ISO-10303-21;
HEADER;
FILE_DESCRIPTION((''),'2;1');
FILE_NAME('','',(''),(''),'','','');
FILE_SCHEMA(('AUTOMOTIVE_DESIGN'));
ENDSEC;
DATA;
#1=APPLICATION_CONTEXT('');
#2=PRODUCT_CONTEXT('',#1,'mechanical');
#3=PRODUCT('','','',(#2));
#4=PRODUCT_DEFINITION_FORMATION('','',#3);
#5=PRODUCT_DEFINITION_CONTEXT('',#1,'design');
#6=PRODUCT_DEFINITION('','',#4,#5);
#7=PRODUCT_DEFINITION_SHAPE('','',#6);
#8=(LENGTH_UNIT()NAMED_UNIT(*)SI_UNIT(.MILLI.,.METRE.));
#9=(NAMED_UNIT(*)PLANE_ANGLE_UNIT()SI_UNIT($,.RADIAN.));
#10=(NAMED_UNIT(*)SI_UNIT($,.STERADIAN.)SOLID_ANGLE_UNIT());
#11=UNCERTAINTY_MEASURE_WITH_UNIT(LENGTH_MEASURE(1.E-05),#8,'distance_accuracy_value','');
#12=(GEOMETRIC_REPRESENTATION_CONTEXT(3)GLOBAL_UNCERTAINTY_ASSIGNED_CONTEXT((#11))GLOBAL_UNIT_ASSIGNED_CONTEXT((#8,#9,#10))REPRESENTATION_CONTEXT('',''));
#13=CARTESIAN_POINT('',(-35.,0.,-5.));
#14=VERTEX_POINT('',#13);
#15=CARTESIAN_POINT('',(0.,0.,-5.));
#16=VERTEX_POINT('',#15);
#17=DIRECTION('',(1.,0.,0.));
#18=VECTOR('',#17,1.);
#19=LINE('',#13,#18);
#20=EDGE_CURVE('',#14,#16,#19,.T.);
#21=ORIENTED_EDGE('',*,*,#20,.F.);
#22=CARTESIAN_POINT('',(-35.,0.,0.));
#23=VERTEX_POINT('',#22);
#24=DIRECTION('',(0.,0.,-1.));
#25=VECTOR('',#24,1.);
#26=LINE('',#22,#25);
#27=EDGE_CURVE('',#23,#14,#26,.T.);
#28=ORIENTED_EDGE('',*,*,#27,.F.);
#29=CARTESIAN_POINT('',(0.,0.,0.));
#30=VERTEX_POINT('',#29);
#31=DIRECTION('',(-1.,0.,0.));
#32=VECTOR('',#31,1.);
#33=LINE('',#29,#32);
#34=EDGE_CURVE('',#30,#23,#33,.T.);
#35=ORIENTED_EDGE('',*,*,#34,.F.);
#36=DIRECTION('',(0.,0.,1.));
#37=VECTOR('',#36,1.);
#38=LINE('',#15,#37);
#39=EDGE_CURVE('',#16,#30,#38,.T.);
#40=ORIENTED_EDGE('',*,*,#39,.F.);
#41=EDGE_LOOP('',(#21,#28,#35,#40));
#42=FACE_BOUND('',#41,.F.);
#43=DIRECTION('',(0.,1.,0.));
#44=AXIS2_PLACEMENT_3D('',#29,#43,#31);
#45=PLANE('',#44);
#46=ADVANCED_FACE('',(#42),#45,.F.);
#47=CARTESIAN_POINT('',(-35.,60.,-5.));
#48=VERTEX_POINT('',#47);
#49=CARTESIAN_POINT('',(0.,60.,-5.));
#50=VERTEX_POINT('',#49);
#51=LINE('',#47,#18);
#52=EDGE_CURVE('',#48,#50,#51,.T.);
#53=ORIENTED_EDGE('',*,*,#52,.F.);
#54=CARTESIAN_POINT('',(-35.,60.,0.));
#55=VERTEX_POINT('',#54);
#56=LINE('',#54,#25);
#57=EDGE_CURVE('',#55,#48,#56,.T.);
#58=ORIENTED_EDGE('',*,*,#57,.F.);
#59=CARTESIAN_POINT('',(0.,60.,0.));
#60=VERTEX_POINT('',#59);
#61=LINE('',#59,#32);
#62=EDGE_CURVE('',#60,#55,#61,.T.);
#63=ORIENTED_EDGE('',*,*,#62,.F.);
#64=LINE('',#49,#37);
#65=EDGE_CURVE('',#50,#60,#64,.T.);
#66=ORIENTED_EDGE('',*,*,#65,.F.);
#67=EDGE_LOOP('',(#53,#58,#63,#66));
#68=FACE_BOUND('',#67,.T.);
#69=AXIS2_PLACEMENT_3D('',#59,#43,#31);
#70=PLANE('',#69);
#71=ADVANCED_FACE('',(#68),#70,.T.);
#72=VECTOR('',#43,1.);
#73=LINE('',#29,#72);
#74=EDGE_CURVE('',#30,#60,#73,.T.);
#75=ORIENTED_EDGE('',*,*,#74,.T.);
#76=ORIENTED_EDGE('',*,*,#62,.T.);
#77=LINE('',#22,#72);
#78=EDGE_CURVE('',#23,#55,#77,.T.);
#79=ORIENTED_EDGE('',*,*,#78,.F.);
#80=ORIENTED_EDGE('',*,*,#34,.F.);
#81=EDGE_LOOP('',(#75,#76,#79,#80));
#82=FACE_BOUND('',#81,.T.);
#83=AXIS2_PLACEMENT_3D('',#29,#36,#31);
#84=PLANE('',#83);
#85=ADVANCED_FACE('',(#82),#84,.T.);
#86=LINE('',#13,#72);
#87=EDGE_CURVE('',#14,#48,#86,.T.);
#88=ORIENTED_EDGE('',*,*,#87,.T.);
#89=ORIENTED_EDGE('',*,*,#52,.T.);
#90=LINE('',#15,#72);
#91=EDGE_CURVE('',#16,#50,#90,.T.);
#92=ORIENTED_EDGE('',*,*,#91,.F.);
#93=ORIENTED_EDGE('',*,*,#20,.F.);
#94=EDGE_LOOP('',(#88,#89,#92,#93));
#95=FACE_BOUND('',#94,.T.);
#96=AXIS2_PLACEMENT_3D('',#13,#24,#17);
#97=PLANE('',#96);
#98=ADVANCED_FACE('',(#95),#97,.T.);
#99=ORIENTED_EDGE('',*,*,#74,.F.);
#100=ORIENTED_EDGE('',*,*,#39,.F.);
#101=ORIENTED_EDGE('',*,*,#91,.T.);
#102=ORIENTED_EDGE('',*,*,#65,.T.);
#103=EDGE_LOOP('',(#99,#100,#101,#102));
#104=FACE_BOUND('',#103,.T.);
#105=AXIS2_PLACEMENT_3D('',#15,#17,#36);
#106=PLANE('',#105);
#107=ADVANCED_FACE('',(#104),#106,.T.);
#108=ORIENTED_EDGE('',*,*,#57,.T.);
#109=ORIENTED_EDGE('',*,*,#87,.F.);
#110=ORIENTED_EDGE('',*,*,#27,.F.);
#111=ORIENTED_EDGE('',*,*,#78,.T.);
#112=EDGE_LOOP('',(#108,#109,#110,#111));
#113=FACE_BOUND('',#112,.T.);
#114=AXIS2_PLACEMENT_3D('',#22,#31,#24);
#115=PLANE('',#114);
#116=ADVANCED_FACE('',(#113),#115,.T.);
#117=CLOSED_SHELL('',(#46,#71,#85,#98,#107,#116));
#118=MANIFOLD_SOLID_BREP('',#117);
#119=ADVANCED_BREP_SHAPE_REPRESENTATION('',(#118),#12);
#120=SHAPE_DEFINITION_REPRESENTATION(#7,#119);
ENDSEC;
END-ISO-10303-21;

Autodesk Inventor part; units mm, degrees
ref_plane "YZ Plane" through (0, 0, 0) normal (1, 0, 0) x (0, 1, 0)
ref_plane "XZ Plane" through (0, 0, 0) normal (0, 1, 0) x (-1, 0, 0)
ref_plane "XY Plane" through (0, 0, 0) normal (0, 0, 1) x (1, 0, 0)
sketch "Sketch1" plane through (0, 0, 0) normal (0, 1, 0) x (-1, 0, 0)
  line L0 (0, 0) -> (35, 0)
  line L1 (35, 0) -> (35, -5)
  line L2 (35, -5) -> (0, -5)
  line L3 (0, -5) -> (0, 0)
  dimension "d0" = 35
  dimension "d1" = 5
extrude "Extrusion1" add sketch "Sketch1" along normal blind 60
properties part number "battery"
